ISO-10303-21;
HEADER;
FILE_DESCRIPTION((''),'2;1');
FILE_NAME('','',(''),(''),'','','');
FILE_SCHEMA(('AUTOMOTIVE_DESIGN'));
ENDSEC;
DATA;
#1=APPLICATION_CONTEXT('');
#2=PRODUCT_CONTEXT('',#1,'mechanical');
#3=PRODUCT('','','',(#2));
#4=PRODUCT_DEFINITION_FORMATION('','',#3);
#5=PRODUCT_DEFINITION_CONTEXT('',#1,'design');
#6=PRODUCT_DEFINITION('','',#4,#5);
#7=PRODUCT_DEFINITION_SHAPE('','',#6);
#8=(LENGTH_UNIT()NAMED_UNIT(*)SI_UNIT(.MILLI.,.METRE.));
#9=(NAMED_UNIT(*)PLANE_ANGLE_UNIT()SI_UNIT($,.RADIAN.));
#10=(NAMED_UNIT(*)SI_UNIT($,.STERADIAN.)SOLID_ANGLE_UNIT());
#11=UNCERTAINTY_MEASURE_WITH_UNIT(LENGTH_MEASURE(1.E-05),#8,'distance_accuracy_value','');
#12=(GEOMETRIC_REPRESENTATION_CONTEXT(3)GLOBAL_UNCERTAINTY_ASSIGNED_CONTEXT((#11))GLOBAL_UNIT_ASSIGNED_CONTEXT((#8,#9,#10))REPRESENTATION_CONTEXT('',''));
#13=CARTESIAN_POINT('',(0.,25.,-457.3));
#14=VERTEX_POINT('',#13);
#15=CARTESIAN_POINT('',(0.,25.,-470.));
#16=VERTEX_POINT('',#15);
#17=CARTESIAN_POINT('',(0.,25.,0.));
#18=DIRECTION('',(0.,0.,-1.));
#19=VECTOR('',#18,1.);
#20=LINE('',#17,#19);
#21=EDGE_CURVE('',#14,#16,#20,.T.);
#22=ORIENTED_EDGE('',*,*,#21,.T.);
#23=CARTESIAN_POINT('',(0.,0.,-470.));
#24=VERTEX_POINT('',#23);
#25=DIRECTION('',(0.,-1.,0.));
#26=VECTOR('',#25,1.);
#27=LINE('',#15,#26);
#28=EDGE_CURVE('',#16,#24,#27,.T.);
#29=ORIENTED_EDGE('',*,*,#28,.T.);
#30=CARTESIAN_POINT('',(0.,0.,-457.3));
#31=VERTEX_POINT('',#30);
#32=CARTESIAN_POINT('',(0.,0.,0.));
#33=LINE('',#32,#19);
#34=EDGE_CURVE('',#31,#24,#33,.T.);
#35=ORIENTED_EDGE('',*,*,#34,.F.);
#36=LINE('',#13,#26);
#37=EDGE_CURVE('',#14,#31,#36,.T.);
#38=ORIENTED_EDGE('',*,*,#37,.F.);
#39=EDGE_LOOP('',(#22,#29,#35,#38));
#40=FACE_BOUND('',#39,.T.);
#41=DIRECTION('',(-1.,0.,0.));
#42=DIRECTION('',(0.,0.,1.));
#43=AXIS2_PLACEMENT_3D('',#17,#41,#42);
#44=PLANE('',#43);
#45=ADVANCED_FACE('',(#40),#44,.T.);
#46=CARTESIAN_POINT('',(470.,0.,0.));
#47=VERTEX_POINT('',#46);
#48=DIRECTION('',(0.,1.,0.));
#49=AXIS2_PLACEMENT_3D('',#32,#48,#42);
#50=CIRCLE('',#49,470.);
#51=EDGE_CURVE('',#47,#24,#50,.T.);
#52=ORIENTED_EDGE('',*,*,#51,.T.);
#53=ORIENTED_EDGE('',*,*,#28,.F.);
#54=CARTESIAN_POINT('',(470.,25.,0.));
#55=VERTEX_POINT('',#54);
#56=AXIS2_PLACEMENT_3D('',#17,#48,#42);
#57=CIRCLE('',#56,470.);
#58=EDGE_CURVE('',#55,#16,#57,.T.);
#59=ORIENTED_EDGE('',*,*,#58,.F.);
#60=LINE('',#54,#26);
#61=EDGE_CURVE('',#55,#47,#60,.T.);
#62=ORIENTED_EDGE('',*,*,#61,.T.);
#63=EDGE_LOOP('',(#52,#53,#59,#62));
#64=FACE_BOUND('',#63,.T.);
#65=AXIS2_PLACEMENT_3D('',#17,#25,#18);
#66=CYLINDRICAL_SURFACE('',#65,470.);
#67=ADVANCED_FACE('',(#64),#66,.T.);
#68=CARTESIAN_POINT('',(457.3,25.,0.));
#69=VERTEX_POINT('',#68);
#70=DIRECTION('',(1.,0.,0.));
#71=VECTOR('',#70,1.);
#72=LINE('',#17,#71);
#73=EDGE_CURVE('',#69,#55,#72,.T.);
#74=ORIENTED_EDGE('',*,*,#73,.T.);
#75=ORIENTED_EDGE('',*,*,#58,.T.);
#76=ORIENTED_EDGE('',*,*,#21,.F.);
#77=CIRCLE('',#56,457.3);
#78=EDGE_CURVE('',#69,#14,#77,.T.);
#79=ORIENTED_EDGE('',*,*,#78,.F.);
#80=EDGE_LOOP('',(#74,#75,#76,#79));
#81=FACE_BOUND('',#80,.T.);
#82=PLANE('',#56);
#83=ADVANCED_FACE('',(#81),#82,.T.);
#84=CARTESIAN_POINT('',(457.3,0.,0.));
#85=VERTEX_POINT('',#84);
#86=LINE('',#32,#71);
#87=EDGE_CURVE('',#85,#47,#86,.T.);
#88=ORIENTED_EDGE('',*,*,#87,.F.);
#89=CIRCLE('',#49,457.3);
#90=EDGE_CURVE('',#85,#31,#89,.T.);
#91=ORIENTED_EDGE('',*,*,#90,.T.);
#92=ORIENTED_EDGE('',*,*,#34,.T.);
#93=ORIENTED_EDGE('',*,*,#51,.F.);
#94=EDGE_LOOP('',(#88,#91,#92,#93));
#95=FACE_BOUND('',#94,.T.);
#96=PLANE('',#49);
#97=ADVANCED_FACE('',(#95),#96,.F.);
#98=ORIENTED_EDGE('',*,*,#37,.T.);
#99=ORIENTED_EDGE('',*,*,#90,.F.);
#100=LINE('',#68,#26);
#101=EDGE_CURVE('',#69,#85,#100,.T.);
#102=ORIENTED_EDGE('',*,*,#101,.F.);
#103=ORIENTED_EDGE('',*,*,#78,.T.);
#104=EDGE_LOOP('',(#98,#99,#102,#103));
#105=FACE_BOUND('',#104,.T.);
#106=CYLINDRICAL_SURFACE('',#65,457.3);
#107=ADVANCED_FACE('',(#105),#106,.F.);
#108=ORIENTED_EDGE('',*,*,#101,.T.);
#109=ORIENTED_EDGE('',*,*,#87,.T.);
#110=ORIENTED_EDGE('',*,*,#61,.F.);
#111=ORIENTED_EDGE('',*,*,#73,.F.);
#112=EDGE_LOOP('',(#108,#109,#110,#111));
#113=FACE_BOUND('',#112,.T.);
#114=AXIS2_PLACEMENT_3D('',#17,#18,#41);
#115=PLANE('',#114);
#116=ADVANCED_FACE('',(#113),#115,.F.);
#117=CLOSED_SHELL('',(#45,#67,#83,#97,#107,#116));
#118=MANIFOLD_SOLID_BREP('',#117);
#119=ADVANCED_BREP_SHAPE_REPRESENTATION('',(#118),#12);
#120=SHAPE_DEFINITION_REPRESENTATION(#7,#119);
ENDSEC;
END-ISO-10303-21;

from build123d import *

# Parameters (mm, degrees)
BOSS_EXTRUDE1_DEPTH = 25


with BuildPart() as part:
    # Sketch1 → Boss-Extrude1 (new body)
    with BuildSketch(Plane(origin=(0, 0, 0), x_dir=(1, 0, 0), z_dir=(0, 1, 0))):
        with BuildLine():
            Line((0, 470), (0, 457.3))
            ThreePointArc((0, 457.3), (323.359931037, 323.359931037), (457.3, 0))
            Line((457.3, 0), (470, 0))
            ThreePointArc((470, 0), (332.340187158, 332.340187158), (0, 470))
        make_face()
    extrude(amount=BOSS_EXTRUDE1_DEPTH)


solid = part.part
